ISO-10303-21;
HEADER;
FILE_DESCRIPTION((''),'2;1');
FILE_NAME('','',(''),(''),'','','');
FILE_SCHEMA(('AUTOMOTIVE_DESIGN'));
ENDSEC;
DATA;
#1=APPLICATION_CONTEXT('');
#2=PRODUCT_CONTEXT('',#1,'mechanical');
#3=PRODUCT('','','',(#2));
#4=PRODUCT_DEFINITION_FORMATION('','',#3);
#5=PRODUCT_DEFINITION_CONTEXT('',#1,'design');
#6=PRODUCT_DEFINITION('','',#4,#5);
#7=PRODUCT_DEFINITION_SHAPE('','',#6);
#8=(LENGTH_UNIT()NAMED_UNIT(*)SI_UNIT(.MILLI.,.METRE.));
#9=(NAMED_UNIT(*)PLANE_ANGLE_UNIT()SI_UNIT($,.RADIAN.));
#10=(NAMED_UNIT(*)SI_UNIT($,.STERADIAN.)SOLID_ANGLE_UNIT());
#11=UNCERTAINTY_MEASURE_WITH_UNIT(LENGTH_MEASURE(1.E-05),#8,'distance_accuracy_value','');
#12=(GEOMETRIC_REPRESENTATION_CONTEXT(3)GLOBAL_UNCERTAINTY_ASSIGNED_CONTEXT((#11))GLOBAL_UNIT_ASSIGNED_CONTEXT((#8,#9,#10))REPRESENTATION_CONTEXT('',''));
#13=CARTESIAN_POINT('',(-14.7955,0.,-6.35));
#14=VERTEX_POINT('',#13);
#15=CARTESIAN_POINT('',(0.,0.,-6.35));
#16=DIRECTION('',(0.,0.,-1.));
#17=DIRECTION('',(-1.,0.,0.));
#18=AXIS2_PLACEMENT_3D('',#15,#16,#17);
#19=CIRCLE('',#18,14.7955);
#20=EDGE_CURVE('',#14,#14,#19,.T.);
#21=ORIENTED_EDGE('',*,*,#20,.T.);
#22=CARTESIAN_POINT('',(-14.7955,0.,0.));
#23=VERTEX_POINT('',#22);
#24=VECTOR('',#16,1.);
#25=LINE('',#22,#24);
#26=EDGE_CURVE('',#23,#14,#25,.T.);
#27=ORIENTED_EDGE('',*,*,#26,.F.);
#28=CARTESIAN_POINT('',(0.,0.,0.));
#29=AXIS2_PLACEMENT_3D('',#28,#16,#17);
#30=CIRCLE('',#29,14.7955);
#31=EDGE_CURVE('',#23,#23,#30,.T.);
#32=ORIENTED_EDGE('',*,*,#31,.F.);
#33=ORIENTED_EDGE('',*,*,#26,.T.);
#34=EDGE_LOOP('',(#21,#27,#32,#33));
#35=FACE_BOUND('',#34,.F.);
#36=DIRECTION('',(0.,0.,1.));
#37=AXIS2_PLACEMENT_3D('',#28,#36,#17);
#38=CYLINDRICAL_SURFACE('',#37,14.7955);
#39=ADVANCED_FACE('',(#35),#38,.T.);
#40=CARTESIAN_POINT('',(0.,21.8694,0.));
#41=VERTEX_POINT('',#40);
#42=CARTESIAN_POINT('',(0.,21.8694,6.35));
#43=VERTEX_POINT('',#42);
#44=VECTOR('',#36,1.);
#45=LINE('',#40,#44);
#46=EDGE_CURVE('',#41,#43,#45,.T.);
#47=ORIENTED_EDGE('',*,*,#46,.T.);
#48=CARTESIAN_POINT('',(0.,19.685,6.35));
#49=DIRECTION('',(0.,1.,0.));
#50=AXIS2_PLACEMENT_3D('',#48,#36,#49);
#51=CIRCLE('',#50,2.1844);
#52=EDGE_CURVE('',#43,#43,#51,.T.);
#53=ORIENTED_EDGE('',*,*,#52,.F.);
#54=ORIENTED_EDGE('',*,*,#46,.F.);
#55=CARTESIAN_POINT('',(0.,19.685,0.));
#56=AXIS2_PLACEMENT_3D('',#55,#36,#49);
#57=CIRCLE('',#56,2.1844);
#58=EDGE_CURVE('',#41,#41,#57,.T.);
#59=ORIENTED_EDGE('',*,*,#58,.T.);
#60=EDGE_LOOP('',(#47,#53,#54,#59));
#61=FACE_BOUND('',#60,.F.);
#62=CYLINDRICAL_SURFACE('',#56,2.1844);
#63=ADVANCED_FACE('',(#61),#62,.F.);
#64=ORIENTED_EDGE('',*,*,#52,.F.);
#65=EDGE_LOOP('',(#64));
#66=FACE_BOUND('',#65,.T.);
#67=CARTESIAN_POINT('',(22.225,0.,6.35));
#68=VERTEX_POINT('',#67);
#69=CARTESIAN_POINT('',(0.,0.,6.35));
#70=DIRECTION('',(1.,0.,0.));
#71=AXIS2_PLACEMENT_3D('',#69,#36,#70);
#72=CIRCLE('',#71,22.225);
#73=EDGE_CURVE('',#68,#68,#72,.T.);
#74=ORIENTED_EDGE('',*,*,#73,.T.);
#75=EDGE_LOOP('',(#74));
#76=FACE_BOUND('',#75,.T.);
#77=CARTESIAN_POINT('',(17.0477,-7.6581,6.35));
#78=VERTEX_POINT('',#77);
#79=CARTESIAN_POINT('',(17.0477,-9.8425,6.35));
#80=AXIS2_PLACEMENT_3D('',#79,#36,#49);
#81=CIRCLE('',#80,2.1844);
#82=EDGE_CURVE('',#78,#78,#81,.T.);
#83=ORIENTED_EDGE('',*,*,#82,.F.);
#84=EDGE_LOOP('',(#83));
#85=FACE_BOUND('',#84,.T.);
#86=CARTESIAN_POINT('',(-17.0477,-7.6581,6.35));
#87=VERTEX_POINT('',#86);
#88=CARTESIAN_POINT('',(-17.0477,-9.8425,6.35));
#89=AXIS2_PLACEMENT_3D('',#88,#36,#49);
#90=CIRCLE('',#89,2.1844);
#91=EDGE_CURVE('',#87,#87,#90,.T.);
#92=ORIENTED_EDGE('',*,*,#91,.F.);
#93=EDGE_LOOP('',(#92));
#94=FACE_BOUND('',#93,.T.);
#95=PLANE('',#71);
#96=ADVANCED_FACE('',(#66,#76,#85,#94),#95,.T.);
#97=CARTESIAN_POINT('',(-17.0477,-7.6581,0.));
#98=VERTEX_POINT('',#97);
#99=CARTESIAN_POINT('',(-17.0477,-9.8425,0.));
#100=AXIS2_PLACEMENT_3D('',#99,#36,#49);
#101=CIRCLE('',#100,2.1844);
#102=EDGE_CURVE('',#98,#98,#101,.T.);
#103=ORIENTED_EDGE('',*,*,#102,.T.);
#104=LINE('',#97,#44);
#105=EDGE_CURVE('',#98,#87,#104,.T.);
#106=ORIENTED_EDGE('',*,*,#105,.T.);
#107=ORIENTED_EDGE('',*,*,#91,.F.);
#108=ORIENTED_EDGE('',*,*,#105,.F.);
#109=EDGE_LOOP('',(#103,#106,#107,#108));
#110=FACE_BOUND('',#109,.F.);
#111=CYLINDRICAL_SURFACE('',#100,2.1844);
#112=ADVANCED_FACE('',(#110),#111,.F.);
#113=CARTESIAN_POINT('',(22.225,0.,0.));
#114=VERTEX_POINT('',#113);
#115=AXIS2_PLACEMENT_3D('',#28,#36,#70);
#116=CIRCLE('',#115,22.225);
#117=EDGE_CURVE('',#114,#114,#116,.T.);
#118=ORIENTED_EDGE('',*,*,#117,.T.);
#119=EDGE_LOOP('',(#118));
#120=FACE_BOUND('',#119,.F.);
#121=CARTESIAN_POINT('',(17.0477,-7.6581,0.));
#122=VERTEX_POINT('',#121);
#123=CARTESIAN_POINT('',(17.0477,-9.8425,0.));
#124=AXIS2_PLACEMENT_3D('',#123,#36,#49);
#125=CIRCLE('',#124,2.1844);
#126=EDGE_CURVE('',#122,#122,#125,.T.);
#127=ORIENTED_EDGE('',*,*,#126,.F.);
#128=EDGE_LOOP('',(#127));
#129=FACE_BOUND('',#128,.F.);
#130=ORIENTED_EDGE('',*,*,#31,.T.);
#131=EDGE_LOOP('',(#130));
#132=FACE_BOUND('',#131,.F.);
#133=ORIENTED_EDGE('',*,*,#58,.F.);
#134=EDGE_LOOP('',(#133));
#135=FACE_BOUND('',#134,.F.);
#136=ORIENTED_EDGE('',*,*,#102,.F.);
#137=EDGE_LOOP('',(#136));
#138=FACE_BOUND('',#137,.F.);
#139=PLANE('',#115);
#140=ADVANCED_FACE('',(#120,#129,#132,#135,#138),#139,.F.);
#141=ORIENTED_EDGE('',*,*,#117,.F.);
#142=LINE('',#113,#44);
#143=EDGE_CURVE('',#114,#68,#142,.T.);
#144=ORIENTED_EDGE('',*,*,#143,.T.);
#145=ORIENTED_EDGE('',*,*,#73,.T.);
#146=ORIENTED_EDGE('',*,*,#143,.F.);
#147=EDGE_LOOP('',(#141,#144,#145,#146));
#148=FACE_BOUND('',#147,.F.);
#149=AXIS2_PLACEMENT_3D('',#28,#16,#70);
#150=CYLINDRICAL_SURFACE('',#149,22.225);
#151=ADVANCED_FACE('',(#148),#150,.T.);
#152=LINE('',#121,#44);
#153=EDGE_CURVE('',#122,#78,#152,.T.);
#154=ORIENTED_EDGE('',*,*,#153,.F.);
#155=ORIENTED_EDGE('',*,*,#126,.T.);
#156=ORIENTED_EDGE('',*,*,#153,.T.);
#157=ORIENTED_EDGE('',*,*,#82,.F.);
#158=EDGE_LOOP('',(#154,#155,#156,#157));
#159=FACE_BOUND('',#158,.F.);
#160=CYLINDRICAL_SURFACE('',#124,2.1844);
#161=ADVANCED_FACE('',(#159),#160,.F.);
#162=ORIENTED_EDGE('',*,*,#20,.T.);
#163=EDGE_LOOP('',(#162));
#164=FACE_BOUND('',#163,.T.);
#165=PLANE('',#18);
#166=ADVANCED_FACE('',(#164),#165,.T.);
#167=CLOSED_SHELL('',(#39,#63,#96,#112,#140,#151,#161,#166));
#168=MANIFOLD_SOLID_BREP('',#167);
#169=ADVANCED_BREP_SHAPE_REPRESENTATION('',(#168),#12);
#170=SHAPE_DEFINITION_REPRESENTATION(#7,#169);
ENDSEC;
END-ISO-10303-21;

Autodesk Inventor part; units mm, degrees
ref_plane "YZ Plane" through (0, 0, 0) normal (1, 0, 0) x (0, 1, 0)
ref_plane "XZ Plane" through (0, 0, 0) normal (0, 1, 0) x (-1, 0, 0)
ref_plane "XY Plane" through (0, 0, 0) normal (0, 0, 1) x (1, 0, 0)
sketch "Sketch1" plane through (0, 0, 0) normal (0, 0, 1) x (1, 0, 0)
  circle A0 centre (0, 0) radius 22.225
  circle A1 centre (0, 0) radius 19.685 construction
  circle A2 centre (0, 0) radius 19.685 construction
  circle A3 centre (0, 0) radius 19.685 construction
  point P0 (0, 19.685)
  point P1 (-17.0477, -9.8425)
  point P2 (17.0477, -9.8425)
  dimension "d1" = 39.37
  dimension "d0" = 44.45
  dimension "d4" = 360
extrude "Extrusion1" add sketch "Sketch1" along normal blind 6.35
sketch "Sketch2" plane through (0, 0, 0) normal (0, 0, -1) x (-1, 0, 0)
  circle A0 centre (0, 0) radius 14.7955
  dimension "d8" = 29.591
extrude "Extrusion2" add sketch "Sketch2" along normal blind 6.35
hole "Hole1" at (0, 19.685, 0) at (-17.0477, -9.8425, 0) at (17.0477, -9.8425, 0) direction (0, 0, 1) diameter 4.3688 end through all
properties part number "7.1 Q6"
